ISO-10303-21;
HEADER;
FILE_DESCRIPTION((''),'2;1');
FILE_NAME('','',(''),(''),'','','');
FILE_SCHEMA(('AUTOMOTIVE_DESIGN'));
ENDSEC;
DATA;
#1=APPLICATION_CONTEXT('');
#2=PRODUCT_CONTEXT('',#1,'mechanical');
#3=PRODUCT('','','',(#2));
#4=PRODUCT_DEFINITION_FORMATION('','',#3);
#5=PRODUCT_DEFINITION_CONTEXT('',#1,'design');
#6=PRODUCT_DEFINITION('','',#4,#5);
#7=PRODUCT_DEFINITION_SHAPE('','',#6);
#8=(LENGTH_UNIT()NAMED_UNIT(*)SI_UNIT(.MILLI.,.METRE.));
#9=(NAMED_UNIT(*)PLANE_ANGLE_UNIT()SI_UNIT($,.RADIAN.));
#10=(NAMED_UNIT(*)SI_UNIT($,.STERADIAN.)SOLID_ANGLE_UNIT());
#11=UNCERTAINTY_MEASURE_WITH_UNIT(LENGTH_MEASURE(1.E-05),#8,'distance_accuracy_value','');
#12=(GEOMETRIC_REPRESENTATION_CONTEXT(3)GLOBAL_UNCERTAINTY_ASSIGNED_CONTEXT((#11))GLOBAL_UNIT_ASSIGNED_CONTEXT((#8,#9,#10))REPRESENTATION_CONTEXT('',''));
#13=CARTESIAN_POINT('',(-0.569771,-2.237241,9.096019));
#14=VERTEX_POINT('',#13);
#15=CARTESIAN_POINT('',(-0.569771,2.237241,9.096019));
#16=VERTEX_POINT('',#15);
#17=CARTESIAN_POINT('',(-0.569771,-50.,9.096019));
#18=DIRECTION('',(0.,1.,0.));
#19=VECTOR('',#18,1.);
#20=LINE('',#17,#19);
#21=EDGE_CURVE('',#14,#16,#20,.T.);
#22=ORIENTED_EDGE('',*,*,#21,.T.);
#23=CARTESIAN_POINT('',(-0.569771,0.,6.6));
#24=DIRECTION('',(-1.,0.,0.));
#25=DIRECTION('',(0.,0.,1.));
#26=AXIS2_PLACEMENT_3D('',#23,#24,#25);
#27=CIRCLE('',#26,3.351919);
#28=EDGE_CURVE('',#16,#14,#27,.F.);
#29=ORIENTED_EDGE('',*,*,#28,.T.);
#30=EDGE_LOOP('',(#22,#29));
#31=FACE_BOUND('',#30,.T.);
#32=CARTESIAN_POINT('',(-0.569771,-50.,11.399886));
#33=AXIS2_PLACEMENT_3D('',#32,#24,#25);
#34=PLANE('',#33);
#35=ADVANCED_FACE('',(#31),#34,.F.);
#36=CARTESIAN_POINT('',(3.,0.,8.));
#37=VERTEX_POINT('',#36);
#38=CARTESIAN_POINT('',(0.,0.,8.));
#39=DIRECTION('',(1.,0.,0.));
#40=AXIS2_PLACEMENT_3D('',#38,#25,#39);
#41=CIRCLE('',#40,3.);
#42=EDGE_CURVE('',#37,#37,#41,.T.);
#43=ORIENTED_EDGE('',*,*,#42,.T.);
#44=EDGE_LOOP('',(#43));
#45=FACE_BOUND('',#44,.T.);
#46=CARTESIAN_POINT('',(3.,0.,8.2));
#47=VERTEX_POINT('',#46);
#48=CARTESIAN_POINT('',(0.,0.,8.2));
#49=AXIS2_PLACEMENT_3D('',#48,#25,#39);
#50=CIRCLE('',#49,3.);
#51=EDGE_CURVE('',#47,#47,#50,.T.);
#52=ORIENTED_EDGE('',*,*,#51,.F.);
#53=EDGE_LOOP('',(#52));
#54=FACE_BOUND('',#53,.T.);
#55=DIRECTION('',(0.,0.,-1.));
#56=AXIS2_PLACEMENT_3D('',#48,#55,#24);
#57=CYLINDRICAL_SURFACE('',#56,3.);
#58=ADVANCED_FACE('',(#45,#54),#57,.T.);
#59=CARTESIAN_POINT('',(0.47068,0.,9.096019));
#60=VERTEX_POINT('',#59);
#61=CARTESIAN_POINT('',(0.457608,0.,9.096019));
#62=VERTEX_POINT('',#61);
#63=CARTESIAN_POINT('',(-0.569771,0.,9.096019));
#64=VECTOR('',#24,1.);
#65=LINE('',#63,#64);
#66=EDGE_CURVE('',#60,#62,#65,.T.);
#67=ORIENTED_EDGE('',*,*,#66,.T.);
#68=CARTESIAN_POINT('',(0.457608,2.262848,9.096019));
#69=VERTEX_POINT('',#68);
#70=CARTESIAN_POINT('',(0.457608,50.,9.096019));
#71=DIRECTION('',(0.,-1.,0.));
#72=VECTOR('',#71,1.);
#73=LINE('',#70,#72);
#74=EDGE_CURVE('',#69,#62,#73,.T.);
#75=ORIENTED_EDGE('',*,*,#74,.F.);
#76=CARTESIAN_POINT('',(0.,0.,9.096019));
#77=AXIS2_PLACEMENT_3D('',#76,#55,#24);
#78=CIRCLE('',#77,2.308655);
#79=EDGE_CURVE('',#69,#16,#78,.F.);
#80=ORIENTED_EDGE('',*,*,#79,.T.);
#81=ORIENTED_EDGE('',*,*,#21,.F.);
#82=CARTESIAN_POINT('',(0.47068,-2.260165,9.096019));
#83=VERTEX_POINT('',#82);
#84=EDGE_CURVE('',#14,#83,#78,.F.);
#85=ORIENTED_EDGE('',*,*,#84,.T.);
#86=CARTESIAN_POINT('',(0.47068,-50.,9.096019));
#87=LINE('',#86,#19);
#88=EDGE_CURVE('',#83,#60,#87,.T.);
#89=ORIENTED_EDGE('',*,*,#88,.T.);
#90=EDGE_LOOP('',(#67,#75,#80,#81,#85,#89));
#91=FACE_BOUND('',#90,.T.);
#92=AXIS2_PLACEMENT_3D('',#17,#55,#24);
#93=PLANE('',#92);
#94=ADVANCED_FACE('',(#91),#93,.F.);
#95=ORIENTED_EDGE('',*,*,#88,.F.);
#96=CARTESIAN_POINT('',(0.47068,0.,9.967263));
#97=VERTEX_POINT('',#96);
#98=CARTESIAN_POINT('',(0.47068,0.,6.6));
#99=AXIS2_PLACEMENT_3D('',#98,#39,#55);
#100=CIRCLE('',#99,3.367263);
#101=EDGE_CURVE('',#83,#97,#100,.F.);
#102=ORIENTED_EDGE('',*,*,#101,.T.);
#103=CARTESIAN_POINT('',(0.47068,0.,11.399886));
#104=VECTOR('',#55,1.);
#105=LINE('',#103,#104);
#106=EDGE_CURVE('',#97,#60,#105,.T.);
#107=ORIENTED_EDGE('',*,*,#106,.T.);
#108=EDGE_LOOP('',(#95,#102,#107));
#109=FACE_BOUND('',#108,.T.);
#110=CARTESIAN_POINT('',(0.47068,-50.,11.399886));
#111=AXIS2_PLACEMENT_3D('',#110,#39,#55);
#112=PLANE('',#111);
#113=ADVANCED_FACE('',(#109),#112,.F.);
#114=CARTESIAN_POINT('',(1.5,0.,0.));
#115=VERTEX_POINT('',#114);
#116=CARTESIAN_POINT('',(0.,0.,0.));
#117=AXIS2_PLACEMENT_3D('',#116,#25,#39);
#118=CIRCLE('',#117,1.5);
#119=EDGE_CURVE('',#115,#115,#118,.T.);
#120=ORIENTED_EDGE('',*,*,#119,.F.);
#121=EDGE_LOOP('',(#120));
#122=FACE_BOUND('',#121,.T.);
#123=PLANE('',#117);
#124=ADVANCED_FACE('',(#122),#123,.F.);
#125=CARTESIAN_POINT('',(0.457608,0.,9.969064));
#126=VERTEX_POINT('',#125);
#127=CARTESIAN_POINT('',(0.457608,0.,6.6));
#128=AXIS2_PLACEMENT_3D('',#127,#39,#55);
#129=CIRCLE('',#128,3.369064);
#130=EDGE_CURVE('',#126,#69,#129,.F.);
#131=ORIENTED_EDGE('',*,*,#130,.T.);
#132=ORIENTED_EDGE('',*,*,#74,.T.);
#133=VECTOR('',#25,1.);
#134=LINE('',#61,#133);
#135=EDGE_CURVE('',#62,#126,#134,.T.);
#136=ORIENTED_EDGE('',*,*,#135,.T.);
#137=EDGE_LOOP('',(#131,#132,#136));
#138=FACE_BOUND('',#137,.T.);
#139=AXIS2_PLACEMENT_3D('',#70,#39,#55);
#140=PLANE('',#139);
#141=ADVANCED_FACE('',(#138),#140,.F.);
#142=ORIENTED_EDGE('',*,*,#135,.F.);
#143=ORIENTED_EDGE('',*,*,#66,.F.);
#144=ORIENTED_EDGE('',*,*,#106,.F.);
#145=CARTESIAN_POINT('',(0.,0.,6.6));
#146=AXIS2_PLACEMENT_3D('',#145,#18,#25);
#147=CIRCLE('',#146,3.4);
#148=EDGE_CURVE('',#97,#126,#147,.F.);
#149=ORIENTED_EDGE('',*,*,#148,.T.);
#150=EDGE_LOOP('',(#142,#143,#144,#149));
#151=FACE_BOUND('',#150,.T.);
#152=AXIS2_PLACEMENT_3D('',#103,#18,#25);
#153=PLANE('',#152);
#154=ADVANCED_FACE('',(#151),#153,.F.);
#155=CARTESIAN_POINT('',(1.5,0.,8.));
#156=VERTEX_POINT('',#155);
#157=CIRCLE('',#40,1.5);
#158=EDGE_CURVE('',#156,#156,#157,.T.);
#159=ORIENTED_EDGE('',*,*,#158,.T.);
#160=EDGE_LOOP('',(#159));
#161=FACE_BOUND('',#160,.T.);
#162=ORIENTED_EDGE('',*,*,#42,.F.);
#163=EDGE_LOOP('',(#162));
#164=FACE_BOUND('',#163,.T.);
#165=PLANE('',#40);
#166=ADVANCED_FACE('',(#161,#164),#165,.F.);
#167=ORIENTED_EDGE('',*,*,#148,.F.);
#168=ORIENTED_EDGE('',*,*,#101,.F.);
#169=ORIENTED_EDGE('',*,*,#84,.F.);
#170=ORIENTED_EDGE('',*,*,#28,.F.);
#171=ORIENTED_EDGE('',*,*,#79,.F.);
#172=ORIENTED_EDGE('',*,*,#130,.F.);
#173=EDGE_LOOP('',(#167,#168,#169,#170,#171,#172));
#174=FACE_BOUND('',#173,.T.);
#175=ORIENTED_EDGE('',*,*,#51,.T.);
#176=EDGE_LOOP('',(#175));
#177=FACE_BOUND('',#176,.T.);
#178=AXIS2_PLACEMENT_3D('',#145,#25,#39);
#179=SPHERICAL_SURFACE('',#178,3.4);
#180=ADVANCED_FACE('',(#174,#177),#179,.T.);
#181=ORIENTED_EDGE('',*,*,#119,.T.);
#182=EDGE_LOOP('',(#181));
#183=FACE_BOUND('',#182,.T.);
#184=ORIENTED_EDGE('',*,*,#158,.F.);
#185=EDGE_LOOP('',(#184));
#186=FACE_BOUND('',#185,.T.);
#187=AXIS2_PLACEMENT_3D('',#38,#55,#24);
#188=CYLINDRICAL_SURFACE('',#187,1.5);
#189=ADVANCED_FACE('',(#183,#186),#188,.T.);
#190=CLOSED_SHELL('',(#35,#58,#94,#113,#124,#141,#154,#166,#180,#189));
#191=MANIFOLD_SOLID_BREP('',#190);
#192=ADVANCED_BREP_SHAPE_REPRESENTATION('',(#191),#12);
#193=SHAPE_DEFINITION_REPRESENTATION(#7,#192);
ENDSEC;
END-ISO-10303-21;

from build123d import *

# Parameters (mm, degrees)
SKETCH_1_R          = 1.5
EXTRUDE_1_DEPTH     = 8
SKETCH_2_R          = 3
EXTRUDE_2_DEPTH     = 0.2
DOME_1_FACE_RADIUS  = 3
DOME_1_HEIGHT       = 1.8
SKETCH_4_W          = 1.040451318
SKETCH_4_H          = 2.30386654
CUT_EXTRUDE_3_DEPTH = 50
SKETCH_7_W          = 1.027378529
SKETCH_7_H          = 1.803274818
CUT_EXTRUDE_6_DEPTH = 50


with BuildPart() as part:
    # Эскиз1 → Вытянуть1 (new body)
    with BuildSketch(Plane.XY):
        Circle(SKETCH_1_R)
    extrude(amount=EXTRUDE_1_DEPTH)

    # Эскиз2 → Вытянуть2 (add)
    with BuildSketch(Plane.XY.offset(8)):
        Circle(SKETCH_2_R)
    extrude(amount=EXTRUDE_2_DEPTH)

    # Купол1: a dome of height H over a round flat face of radius A is a cap of a sphere of radius (A * A + H * H) / (2 * H)
    dome_1_r = (DOME_1_FACE_RADIUS * DOME_1_FACE_RADIUS + DOME_1_HEIGHT * DOME_1_HEIGHT) / (2 * DOME_1_HEIGHT)
    dome_1_base = Plane((0, 0, 8.2), z_dir=(0, 0, 1))
    with Locations(dome_1_base.offset(DOME_1_HEIGHT - dome_1_r)):
        dome_1_ball = Sphere(dome_1_r, mode=Mode.PRIVATE)
    add(split(dome_1_ball, bisect_by=dome_1_base, keep=Keep.TOP, mode=Mode.PRIVATE))

    # Эскиз4 → Вырез-Вытянуть3 (cut)
    with BuildSketch(Plane(origin=(0, 0, 0), x_dir=(1, 0, 0), z_dir=(0, 1, 0))):
        with Locations((-0.049545301, -10.24795251)):
            Rectangle(SKETCH_4_W, SKETCH_4_H)
    extrude(amount=-CUT_EXTRUDE_3_DEPTH, mode=Mode.SUBTRACT)

    # Эскиз7 → Вырез-Вытянуть6 (cut)
    with BuildSketch(Plane.XZ):
        with Locations((-0.056081696, 9.997656649)):
            Rectangle(SKETCH_7_W, SKETCH_7_H)
    extrude(amount=-CUT_EXTRUDE_6_DEPTH, mode=Mode.SUBTRACT)


solid = part.part
